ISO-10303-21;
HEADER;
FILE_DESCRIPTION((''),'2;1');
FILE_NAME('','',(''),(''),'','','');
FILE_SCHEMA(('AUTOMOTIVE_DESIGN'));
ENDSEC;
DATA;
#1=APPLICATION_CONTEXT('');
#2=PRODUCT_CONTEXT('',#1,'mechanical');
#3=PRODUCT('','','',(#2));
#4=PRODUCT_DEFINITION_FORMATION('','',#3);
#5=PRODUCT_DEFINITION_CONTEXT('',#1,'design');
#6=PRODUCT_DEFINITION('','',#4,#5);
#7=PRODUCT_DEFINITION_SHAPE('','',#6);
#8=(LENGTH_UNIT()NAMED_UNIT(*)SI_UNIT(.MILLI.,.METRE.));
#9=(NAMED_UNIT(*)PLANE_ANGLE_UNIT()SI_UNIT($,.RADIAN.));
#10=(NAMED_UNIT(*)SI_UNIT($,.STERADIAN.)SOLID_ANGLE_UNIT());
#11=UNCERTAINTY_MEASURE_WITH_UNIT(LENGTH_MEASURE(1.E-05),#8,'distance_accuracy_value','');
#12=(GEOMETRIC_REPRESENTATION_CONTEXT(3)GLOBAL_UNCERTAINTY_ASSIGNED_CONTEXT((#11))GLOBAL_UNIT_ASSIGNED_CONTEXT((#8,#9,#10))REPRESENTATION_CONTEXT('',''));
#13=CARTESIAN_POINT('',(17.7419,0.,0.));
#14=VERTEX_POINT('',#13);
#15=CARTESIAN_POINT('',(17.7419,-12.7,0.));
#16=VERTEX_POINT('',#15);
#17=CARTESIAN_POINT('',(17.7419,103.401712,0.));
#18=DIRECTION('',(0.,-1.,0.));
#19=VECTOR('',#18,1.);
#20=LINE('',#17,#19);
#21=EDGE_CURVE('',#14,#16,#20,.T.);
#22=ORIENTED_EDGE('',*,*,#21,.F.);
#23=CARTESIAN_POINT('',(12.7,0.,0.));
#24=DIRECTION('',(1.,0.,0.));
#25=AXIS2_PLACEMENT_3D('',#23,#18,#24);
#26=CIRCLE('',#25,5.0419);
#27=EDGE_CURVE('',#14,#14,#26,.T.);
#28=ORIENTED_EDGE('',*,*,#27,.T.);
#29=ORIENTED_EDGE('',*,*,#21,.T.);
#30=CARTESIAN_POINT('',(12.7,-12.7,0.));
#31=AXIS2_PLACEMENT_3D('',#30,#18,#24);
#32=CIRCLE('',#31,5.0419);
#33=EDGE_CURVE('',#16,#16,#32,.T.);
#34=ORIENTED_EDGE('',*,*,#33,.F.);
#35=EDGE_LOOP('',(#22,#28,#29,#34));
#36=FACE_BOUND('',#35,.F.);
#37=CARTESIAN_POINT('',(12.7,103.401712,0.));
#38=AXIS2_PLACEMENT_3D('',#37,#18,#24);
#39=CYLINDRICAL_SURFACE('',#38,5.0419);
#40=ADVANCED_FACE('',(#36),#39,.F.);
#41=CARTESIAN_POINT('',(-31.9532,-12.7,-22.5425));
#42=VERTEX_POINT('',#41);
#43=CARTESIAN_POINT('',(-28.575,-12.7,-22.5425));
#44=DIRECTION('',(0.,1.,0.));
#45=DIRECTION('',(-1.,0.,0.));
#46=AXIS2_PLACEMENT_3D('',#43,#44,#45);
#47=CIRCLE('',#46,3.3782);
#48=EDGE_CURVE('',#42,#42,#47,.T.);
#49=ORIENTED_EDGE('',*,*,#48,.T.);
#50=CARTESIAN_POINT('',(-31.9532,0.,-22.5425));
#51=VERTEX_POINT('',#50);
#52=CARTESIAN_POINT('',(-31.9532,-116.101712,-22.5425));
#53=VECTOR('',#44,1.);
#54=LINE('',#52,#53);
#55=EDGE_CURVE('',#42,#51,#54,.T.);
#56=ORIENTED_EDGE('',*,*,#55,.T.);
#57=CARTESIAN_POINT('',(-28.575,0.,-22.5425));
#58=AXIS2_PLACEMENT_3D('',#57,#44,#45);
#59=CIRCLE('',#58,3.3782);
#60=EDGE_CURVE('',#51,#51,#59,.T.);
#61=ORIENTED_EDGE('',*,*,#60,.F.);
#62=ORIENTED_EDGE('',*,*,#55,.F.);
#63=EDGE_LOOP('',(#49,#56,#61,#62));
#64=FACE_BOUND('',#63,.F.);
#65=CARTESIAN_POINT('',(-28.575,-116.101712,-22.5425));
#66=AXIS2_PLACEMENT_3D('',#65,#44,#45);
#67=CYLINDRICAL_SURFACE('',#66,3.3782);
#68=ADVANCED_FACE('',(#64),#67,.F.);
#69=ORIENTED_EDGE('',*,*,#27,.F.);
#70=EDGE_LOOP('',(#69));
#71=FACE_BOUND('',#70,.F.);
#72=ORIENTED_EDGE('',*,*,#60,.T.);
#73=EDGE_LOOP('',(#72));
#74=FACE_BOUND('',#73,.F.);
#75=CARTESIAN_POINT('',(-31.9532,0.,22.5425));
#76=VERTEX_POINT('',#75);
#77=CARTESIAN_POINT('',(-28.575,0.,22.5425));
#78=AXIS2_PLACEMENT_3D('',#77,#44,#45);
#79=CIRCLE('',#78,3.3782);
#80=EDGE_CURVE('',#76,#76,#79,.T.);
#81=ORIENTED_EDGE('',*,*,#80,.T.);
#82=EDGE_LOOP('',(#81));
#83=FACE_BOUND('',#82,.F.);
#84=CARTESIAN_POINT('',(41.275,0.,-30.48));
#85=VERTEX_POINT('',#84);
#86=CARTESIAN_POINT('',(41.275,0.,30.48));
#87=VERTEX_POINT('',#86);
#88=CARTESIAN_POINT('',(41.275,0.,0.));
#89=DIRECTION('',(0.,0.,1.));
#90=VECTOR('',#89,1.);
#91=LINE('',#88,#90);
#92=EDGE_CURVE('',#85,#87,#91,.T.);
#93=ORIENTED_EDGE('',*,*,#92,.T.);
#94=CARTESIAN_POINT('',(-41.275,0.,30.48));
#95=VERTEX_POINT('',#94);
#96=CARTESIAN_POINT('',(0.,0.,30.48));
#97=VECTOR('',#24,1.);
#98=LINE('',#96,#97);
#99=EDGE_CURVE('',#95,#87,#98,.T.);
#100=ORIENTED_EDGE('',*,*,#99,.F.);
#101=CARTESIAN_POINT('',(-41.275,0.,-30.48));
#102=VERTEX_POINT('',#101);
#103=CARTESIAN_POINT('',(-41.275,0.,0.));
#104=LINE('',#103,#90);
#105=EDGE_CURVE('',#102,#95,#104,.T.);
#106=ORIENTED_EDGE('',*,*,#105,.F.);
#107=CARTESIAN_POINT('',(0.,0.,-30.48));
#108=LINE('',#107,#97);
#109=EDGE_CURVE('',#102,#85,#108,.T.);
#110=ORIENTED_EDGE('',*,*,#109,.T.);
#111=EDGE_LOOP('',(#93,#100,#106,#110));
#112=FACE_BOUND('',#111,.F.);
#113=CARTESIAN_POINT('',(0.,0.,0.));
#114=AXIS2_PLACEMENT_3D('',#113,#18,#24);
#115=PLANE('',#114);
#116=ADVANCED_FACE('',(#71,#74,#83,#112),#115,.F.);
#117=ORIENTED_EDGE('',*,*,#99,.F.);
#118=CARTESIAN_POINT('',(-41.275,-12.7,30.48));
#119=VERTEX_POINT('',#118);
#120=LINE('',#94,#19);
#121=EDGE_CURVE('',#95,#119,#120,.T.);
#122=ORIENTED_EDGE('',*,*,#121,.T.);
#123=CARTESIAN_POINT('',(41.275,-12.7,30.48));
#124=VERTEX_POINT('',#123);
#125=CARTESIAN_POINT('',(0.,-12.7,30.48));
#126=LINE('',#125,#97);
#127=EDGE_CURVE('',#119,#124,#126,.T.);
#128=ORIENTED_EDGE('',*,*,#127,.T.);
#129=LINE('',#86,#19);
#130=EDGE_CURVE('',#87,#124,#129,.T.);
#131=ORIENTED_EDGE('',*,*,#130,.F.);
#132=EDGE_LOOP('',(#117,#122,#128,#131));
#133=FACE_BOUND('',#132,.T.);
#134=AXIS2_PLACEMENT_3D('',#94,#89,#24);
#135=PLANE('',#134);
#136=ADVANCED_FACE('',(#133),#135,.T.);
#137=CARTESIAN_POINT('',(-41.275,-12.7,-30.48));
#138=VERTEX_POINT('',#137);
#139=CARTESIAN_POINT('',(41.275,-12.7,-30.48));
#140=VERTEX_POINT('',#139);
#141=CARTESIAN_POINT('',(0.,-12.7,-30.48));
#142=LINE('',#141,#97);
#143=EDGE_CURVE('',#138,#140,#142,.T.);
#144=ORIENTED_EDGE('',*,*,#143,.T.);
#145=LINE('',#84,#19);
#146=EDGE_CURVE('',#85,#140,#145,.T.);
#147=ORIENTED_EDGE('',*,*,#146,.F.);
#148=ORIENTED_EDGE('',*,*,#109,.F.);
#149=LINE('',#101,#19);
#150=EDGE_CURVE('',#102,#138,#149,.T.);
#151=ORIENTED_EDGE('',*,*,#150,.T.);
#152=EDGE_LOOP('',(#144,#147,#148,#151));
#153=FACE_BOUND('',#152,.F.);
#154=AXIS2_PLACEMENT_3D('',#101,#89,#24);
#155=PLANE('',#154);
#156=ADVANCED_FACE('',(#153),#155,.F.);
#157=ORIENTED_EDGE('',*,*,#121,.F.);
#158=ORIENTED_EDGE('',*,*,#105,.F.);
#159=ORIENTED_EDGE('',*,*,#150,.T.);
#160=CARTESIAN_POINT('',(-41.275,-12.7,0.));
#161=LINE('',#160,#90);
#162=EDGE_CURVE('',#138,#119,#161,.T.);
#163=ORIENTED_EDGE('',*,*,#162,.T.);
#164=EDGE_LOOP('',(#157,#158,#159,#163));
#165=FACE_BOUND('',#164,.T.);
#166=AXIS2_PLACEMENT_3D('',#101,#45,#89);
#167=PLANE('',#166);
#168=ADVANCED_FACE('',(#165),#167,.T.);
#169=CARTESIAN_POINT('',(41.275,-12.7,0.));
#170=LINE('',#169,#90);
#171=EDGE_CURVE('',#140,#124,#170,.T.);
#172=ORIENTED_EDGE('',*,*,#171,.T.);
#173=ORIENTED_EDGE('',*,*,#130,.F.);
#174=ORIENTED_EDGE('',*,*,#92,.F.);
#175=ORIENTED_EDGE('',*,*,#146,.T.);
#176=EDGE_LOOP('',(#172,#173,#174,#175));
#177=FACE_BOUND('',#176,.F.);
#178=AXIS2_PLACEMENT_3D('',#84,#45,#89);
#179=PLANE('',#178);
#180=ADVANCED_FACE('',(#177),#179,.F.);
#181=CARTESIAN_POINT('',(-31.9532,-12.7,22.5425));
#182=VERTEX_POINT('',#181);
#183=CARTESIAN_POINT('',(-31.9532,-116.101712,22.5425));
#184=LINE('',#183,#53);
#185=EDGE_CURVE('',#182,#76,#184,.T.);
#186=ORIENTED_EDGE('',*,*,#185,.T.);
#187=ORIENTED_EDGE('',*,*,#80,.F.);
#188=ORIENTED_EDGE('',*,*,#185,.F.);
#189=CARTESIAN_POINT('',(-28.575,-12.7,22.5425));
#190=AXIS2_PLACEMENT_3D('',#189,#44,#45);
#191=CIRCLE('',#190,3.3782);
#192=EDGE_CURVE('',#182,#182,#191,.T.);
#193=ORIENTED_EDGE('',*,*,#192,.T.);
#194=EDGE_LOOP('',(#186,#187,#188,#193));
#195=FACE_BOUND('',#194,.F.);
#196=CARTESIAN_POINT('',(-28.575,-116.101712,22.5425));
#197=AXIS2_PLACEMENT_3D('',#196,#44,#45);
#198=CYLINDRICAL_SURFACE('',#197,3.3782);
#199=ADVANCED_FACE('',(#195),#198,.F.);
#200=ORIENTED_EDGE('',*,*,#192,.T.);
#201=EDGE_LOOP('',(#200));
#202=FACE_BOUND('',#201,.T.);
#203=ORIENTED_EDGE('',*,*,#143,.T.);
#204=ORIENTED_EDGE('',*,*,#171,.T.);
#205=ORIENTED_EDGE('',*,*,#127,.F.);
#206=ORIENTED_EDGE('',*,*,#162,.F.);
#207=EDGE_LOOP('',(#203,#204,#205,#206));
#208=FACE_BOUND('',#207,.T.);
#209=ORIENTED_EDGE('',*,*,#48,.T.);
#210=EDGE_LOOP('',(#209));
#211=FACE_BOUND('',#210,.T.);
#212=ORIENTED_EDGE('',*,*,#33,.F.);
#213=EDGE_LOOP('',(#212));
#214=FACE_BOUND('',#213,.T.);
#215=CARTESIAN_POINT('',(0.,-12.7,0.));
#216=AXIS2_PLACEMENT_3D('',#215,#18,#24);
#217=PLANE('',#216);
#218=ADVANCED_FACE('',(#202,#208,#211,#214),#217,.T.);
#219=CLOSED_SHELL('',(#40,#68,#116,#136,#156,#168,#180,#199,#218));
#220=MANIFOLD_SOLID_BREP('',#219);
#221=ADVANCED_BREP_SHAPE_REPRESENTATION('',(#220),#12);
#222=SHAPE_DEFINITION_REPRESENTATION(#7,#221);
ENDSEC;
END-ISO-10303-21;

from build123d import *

# Parameters (mm, degrees)
F0_W     = 82.55
F0_H     = 60.96
F1_DEPTH = 12.7
F3_D     = 10.0838
F5_D     = 6.7564


with BuildPart() as f1:
    # F0 (on Front) → F1 (new body)
    with BuildSketch(Plane.XZ):
        Rectangle(F0_W, F0_H)
    extrude(amount=F1_DEPTH)

    # F3 (through all)
    with Locations(Plane(origin=(0, 0, 0), x_dir=(-1, 0, 0), z_dir=(0, 1, 0))):
        with Locations((-12.7, 0)):
            Hole(F3_D / 2)

    # F5 (through all)
    with Locations(Plane.XZ.offset(12.7)):
        with Locations((-28.575, 22.5425), (-28.575, -22.5425)):
            Hole(F5_D / 2)


solid = f1.part
